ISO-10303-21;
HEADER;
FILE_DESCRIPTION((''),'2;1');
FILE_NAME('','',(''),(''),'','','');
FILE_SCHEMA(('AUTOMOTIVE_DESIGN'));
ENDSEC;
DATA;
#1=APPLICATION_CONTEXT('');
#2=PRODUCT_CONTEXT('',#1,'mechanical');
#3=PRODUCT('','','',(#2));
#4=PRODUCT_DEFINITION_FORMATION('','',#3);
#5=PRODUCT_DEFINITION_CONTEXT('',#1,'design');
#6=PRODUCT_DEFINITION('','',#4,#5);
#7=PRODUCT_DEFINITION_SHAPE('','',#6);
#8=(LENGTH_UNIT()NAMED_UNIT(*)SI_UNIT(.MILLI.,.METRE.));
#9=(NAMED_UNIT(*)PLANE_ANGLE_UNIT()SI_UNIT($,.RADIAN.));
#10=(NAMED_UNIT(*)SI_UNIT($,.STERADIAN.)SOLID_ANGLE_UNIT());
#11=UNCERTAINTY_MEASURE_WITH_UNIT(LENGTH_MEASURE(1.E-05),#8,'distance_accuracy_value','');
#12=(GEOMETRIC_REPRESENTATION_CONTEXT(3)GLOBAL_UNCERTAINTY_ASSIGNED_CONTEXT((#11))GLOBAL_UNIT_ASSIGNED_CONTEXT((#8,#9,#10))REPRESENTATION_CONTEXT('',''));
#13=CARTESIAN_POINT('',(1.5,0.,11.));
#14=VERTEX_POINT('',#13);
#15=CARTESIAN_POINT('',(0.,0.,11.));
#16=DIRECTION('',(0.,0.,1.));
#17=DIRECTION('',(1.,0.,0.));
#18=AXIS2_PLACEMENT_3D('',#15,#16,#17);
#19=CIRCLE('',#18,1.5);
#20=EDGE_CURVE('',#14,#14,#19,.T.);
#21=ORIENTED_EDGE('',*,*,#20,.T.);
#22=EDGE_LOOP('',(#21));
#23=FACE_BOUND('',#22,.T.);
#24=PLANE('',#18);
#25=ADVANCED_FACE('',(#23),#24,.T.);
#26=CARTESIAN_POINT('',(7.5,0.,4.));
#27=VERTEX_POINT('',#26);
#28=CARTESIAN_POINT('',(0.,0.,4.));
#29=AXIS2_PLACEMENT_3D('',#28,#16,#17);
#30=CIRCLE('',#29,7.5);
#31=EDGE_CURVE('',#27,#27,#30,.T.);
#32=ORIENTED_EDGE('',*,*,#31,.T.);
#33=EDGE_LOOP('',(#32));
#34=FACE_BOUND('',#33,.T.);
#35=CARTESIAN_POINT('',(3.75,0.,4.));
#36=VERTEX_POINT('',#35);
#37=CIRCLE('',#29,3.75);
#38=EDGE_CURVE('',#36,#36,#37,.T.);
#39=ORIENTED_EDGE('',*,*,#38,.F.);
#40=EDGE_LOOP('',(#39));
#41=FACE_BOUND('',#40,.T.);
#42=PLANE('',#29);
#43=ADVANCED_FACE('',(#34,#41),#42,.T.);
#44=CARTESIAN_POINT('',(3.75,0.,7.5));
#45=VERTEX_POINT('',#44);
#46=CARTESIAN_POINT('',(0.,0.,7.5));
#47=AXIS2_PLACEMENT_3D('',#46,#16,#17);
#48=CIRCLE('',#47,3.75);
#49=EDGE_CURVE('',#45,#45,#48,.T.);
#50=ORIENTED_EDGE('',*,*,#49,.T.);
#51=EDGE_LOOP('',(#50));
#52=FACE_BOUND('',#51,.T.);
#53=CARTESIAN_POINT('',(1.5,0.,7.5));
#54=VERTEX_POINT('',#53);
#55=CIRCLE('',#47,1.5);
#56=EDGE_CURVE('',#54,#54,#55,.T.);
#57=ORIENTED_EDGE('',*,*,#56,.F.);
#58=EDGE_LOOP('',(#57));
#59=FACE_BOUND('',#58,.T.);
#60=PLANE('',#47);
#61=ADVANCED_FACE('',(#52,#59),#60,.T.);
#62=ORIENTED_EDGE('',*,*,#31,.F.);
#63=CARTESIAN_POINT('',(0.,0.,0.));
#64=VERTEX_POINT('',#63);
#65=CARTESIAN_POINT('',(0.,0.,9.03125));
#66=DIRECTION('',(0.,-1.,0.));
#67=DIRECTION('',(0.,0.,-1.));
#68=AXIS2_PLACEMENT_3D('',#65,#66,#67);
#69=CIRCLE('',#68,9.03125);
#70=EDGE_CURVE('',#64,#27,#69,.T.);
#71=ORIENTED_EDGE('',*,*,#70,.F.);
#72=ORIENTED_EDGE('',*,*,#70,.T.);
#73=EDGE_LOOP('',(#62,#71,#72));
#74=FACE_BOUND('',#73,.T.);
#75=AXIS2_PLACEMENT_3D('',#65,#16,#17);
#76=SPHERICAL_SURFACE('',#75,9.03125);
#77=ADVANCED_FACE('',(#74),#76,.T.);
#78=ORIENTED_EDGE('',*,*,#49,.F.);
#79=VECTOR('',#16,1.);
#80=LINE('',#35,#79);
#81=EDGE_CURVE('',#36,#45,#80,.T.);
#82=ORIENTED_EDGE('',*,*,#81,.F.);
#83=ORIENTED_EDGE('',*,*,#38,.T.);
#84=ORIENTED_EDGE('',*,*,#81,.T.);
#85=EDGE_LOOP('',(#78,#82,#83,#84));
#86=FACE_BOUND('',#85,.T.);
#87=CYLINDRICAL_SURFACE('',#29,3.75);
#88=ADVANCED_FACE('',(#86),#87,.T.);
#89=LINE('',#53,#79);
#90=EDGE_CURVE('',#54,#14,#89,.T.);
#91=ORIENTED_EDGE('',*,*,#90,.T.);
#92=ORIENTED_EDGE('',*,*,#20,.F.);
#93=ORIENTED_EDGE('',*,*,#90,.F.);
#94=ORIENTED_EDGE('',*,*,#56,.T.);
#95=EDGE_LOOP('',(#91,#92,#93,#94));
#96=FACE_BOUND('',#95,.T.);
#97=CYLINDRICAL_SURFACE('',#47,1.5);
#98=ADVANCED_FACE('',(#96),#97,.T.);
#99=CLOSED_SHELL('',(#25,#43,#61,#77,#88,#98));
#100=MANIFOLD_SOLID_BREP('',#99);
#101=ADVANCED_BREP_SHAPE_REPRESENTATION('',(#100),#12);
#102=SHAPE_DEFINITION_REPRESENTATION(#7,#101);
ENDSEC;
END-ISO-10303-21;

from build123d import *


with BuildPart() as f1:
    # F0 (on Front) → F1 (revolve)
    with BuildSketch(Plane.XZ):
        with BuildLine():
            Line((0, 11), (0, 0))
            ThreePointArc((0, 0), (4.25, 1.0625), (7.5, 4))
            Line((7.5, 4), (3.75, 4))
            Line((3.75, 4), (3.75, 7.5))
            Line((3.75, 7.5), (1.5, 7.5))
            Line((1.5, 7.5), (1.5, 11))
            Line((1.5, 11), (0, 11))
        make_face()
    revolve(axis=Axis((0, 0, 5.5), (0, 0, 1)))


solid = f1.part
